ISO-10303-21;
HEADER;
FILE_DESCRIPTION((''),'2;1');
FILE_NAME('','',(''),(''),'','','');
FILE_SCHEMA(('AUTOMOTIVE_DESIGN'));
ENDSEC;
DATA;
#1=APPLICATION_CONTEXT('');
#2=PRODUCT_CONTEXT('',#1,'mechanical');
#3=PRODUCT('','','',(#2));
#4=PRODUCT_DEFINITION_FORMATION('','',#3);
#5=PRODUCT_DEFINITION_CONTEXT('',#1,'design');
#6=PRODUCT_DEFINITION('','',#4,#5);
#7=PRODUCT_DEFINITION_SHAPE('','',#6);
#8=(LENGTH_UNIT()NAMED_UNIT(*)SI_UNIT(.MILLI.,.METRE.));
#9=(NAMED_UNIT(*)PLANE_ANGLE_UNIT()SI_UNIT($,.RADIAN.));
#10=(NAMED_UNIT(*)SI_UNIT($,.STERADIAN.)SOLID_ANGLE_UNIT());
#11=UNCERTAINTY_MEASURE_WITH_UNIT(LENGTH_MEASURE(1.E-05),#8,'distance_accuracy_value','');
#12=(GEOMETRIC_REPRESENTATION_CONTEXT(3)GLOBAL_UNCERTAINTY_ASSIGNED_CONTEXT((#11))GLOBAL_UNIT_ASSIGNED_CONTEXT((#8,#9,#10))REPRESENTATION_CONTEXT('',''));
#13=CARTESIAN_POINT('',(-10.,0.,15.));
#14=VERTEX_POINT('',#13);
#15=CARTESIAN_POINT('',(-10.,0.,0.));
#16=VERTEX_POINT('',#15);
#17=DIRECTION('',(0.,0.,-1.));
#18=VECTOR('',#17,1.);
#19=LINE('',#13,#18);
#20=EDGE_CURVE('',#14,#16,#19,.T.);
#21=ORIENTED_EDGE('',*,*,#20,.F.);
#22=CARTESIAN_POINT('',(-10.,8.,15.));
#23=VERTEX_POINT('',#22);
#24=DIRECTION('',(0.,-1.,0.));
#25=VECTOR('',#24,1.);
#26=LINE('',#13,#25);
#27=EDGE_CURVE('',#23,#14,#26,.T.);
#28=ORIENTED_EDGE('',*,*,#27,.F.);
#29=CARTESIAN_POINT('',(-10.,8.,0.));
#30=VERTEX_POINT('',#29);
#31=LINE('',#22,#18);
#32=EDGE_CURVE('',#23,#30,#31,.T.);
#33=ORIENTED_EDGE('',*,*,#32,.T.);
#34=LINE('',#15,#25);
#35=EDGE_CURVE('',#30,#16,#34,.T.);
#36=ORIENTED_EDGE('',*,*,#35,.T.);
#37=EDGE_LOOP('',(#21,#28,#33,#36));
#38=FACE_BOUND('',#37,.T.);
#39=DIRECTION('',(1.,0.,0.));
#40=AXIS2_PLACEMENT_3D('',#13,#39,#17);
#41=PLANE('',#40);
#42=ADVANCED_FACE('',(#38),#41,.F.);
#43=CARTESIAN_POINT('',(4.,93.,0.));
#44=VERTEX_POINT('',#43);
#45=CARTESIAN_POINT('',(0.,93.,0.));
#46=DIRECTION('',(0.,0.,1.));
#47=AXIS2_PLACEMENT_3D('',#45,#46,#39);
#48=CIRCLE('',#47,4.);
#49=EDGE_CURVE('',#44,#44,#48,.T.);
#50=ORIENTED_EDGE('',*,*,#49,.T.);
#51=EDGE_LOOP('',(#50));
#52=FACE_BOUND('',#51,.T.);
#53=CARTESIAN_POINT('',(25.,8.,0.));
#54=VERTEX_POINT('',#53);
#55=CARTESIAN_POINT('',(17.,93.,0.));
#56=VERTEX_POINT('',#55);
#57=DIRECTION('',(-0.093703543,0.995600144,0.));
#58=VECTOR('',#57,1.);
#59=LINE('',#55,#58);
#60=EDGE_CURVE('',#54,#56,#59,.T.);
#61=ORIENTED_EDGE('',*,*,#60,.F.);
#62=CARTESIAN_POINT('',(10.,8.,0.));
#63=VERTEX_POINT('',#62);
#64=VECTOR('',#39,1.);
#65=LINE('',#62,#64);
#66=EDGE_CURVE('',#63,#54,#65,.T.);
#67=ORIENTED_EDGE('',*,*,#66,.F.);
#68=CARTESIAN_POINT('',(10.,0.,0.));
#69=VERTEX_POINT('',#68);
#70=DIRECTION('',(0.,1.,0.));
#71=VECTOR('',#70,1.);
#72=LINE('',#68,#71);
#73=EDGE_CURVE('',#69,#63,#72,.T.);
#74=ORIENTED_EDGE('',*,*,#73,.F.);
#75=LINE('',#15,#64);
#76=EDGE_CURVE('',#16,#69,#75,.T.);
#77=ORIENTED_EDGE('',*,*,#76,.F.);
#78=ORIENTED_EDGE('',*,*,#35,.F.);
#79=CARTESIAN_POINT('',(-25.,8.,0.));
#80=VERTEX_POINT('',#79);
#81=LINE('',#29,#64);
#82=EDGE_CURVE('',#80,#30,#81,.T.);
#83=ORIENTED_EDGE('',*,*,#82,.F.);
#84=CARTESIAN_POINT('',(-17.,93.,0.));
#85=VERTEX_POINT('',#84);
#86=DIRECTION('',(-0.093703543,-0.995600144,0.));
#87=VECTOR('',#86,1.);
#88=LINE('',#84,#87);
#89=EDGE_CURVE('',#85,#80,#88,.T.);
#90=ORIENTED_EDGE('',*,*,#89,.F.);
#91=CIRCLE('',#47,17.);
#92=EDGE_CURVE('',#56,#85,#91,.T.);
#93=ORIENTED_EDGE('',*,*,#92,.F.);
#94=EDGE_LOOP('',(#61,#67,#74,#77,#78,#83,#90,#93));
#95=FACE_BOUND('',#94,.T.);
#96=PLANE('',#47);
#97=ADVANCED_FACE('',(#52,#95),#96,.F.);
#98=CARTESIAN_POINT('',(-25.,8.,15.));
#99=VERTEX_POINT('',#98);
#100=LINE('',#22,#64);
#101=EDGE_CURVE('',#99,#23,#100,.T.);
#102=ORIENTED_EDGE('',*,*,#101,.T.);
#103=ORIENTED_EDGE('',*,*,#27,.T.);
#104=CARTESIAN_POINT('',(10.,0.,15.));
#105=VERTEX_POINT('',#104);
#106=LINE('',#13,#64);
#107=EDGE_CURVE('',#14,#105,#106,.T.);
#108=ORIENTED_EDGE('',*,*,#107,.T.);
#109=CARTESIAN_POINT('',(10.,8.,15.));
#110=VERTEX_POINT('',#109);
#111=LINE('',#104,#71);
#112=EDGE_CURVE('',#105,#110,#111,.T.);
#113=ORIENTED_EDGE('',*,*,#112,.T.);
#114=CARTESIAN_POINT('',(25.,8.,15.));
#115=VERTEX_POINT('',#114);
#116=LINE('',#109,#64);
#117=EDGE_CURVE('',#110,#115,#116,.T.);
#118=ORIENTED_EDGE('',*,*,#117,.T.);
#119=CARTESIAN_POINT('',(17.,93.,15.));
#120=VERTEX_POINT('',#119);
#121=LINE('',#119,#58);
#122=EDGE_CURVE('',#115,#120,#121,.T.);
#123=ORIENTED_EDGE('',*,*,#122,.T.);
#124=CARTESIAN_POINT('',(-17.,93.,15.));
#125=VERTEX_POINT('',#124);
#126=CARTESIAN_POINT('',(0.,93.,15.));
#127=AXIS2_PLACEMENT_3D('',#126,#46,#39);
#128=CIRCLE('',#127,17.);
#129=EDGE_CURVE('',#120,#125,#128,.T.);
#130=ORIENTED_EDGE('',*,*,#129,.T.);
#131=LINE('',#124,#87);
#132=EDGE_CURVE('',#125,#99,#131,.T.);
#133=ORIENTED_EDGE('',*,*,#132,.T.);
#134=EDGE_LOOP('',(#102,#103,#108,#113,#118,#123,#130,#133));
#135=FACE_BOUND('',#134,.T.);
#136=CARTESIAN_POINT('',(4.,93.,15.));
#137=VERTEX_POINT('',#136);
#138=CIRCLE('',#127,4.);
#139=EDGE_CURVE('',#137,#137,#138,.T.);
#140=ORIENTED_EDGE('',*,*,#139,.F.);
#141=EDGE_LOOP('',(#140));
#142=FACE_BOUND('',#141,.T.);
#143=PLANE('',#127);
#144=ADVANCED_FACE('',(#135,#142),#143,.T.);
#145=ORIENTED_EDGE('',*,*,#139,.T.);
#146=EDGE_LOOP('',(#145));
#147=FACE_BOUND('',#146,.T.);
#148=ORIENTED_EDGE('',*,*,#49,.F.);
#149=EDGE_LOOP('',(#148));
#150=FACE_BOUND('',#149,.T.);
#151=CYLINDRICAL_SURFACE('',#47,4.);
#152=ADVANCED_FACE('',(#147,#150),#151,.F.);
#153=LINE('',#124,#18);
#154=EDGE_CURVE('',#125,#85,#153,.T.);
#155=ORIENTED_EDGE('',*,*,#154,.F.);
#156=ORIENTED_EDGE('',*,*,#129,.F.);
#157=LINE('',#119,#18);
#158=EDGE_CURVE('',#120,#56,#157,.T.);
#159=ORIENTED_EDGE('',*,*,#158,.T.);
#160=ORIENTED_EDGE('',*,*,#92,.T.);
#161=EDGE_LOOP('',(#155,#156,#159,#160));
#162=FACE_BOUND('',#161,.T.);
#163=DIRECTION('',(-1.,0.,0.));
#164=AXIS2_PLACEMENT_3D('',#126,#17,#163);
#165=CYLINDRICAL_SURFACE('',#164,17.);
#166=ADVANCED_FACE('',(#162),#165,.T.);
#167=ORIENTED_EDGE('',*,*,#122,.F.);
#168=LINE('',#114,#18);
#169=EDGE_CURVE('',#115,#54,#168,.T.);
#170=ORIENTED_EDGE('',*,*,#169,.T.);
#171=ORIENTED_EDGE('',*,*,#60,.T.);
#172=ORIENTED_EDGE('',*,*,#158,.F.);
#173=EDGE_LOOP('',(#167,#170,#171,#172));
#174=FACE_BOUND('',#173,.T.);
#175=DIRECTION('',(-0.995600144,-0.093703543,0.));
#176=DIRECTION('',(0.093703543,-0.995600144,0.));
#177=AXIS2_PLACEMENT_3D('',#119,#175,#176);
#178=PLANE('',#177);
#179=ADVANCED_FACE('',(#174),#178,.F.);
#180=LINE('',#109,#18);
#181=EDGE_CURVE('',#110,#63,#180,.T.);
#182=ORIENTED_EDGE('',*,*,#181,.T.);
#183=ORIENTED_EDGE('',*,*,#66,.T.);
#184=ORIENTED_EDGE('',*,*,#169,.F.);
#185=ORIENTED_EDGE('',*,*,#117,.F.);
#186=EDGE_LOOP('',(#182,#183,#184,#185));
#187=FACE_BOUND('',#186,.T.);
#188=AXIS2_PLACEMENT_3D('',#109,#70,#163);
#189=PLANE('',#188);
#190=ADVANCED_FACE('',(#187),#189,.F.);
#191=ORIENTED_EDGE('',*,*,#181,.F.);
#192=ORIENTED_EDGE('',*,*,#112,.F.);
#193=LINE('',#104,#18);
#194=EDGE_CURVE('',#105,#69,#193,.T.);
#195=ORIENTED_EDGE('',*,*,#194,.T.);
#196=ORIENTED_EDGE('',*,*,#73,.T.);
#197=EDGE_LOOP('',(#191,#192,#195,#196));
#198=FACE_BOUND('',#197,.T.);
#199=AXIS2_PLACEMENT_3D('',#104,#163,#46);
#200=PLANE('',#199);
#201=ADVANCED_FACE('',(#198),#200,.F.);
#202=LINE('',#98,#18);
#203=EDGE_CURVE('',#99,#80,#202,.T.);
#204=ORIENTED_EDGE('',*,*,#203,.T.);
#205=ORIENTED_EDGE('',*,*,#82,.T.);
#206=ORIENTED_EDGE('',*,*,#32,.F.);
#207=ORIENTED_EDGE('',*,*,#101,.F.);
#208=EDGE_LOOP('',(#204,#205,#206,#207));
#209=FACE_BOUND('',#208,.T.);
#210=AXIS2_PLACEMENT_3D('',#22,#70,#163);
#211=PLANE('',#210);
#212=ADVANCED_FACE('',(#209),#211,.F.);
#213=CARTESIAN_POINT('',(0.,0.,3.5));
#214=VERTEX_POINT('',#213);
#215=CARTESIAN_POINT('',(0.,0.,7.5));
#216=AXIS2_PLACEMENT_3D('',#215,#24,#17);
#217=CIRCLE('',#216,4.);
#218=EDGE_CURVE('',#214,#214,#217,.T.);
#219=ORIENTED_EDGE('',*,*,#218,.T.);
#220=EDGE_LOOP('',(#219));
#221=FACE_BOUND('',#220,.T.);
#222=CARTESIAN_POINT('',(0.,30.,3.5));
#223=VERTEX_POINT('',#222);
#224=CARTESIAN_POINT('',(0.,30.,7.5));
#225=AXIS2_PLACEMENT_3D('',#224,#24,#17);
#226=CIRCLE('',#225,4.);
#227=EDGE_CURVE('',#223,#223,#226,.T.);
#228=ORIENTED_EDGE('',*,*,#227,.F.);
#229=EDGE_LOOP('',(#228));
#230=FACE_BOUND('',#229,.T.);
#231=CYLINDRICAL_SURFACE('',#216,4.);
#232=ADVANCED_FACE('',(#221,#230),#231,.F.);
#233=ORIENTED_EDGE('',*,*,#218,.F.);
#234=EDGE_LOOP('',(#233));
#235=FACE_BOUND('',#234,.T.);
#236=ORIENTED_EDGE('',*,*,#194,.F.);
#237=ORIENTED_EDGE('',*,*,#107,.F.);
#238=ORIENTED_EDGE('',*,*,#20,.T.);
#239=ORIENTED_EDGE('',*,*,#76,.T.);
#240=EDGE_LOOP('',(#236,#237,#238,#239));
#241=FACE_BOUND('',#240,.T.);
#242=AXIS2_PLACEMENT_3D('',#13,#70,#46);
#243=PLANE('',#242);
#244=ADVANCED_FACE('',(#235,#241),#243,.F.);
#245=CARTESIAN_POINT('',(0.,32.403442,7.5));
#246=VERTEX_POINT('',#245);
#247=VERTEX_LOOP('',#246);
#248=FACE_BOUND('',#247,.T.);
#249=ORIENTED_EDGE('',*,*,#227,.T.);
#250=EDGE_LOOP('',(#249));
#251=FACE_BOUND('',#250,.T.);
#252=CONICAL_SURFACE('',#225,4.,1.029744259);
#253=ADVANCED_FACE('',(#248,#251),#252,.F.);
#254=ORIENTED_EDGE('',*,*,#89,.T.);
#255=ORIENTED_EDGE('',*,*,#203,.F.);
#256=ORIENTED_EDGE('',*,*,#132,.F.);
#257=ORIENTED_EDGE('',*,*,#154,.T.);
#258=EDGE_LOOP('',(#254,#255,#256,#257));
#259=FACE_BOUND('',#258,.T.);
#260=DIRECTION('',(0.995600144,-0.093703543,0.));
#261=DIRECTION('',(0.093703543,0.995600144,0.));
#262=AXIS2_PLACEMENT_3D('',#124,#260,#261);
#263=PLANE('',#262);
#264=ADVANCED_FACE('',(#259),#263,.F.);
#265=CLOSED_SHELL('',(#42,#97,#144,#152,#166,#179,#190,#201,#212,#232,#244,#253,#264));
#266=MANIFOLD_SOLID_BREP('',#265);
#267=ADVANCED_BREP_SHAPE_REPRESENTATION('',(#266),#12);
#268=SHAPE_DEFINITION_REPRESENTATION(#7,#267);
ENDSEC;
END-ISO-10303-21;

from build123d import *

# Parameters (mm, degrees)
SKETCH1_R                 = 7
BOSS_EXTRUDE1_DEPTH       = 15
F_8_0MM_DOWEL_HOLE1_D     = 8
F_8_0MM_DOWEL_HOLE1_DEPTH = 30
F_8_0MM_DOWEL_HOLE1_TIP   = 2.403442476
SKETCH3_R                 = 7
SKETCH3_R_2               = 4
BOSS_EXTRUDE2_DEPTH       = 15


with BuildPart() as part:
    # Sketch1 → Boss-Extrude1 (new body)
    with BuildSketch(Plane.XY):
        with BuildLine():
            Line((-10, 0), (10, 0))
            Line((10, 0), (10, 8))
            Line((10, 8), (25, 8))
            Line((25, 8), (17, 93))
            ThreePointArc((17, 93), (0, 110), (-17, 93))
            Line((-17, 93), (-25, 8))
            Line((-25, 8), (-10, 8))
            Line((-10, 8), (-10, 0))
        make_face()
        with Locations((0, 93)):
            Circle(SKETCH1_R, mode=Mode.SUBTRACT)
    extrude(amount=BOSS_EXTRUDE1_DEPTH)

    # Ø8.0mm Dowel Hole1
    with Locations(Plane(origin=(0, 0, 7.5), x_dir=(0, 0, -1), z_dir=(0, -1, 0))):
        with Locations((0, 0)):
            Hole(F_8_0MM_DOWEL_HOLE1_D / 2, depth=F_8_0MM_DOWEL_HOLE1_DEPTH)
            with Locations((0, 0, -(F_8_0MM_DOWEL_HOLE1_DEPTH + F_8_0MM_DOWEL_HOLE1_TIP / 2))):  # 118° drill point
                Cone(0, F_8_0MM_DOWEL_HOLE1_D / 2, F_8_0MM_DOWEL_HOLE1_TIP, mode=Mode.SUBTRACT)

    # Sketch3 → Boss-Extrude2 (add, through all)
    with BuildSketch(Plane.XY.offset(15)):
        with Locations((0, 93)):
            Circle(SKETCH3_R)
        with Locations((0, 93)):
            Circle(SKETCH3_R_2, mode=Mode.SUBTRACT)
    extrude(amount=-BOSS_EXTRUDE2_DEPTH)


solid = part.part
